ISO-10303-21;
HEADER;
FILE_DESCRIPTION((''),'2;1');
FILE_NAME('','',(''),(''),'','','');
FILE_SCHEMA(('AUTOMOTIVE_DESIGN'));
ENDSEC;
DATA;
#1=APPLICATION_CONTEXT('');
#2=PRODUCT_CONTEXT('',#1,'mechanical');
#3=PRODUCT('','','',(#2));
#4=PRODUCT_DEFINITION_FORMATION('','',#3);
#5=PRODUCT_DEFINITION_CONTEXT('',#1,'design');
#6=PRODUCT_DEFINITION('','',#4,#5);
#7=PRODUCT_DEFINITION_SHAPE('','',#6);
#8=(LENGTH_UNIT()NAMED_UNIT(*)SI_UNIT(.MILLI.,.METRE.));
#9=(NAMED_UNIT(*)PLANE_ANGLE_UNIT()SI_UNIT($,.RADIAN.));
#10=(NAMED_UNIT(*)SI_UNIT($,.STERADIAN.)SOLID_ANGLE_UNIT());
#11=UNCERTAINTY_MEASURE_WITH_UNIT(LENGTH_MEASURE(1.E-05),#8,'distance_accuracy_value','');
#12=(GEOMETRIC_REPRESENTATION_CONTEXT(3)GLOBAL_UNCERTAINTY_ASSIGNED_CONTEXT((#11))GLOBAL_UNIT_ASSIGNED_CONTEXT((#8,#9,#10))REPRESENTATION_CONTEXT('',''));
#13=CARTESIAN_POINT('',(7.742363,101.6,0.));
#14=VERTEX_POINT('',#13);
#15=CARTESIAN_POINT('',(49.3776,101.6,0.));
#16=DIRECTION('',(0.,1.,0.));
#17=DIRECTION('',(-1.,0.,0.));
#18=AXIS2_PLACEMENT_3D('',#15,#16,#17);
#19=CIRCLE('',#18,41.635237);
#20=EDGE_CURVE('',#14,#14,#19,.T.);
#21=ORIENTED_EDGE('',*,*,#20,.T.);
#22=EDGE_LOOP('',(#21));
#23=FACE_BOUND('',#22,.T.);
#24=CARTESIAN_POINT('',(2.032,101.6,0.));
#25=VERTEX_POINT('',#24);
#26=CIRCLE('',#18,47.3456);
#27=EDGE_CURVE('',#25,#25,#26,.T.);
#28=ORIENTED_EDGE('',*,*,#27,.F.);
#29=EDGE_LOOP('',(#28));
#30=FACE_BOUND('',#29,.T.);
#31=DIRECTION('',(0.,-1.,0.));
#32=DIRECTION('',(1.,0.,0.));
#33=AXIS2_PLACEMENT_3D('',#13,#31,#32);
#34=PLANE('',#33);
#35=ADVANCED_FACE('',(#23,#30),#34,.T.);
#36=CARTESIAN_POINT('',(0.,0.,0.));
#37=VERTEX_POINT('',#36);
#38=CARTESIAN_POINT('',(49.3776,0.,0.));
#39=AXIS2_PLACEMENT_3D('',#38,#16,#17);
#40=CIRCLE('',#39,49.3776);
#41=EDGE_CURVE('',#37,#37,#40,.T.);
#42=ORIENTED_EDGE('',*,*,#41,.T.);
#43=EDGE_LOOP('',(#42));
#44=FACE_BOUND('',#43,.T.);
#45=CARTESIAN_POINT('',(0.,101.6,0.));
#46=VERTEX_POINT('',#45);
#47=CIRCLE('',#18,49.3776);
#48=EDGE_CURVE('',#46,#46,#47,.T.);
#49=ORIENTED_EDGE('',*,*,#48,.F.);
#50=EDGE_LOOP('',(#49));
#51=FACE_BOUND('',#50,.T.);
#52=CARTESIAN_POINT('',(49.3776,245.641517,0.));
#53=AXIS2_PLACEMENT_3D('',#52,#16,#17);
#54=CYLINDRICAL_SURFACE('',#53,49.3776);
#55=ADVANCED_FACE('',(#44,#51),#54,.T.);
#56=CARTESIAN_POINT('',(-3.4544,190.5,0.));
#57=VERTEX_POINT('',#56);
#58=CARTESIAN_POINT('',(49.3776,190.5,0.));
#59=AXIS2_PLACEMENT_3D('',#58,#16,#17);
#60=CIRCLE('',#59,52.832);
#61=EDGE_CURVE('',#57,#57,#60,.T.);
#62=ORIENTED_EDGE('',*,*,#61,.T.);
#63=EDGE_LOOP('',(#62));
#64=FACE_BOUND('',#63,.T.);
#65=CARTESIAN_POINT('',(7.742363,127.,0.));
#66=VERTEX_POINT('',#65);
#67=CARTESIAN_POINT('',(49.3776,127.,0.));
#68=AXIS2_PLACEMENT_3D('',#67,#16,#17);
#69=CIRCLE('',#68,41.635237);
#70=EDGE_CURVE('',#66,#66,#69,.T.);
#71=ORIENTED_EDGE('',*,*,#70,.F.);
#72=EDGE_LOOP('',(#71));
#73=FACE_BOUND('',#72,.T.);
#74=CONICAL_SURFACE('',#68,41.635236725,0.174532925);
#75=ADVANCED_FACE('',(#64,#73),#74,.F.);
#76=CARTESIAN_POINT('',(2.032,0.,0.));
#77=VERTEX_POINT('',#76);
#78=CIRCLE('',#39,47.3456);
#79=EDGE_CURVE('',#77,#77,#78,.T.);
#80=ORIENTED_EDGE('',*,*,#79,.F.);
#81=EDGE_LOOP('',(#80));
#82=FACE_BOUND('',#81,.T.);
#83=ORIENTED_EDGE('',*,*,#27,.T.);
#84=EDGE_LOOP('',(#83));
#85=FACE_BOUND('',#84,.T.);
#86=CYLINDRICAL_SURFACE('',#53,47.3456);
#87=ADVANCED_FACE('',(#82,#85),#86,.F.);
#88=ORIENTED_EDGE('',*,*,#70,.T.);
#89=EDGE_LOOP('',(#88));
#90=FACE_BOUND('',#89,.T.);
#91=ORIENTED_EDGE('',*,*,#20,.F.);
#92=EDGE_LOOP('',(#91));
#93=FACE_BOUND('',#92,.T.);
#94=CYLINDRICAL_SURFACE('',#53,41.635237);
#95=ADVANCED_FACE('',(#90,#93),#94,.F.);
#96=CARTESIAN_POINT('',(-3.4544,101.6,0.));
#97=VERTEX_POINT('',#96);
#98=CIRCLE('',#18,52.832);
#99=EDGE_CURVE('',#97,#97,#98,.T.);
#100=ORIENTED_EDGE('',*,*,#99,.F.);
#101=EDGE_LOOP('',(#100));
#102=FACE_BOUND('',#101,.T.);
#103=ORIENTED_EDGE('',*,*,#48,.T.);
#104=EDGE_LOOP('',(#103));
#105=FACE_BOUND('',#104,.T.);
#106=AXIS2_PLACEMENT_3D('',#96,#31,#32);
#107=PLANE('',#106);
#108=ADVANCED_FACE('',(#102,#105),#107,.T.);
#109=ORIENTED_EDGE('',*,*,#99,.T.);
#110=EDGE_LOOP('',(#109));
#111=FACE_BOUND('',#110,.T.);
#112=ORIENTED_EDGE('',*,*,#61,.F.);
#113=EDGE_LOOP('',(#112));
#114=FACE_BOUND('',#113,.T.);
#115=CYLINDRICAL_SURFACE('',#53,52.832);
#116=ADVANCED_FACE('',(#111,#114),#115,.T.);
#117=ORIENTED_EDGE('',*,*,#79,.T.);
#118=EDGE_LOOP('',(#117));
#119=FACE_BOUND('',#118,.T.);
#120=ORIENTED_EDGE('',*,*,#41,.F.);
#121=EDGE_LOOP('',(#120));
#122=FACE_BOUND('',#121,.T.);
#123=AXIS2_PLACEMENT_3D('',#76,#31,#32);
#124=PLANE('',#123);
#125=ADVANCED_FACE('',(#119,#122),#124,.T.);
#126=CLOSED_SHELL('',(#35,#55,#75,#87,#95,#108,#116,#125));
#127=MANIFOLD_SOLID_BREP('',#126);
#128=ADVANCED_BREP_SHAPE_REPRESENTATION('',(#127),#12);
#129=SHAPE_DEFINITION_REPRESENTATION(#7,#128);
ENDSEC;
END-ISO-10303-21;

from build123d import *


with BuildPart() as part:
    # Sketch1 → Revolve1 (revolve)
    with BuildSketch(Plane.XY):
        Polygon((2.032, 0), (0, 0), (0, 101.6), (-3.4544, 101.6), (-3.4544, 190.5), (7.742363275, 127), (7.742363275, 101.6), (2.032, 101.6), align=None)
    revolve(axis=Axis((49.3776, 245.641517485, 0), (0, -1, 0)))


solid = part.part
